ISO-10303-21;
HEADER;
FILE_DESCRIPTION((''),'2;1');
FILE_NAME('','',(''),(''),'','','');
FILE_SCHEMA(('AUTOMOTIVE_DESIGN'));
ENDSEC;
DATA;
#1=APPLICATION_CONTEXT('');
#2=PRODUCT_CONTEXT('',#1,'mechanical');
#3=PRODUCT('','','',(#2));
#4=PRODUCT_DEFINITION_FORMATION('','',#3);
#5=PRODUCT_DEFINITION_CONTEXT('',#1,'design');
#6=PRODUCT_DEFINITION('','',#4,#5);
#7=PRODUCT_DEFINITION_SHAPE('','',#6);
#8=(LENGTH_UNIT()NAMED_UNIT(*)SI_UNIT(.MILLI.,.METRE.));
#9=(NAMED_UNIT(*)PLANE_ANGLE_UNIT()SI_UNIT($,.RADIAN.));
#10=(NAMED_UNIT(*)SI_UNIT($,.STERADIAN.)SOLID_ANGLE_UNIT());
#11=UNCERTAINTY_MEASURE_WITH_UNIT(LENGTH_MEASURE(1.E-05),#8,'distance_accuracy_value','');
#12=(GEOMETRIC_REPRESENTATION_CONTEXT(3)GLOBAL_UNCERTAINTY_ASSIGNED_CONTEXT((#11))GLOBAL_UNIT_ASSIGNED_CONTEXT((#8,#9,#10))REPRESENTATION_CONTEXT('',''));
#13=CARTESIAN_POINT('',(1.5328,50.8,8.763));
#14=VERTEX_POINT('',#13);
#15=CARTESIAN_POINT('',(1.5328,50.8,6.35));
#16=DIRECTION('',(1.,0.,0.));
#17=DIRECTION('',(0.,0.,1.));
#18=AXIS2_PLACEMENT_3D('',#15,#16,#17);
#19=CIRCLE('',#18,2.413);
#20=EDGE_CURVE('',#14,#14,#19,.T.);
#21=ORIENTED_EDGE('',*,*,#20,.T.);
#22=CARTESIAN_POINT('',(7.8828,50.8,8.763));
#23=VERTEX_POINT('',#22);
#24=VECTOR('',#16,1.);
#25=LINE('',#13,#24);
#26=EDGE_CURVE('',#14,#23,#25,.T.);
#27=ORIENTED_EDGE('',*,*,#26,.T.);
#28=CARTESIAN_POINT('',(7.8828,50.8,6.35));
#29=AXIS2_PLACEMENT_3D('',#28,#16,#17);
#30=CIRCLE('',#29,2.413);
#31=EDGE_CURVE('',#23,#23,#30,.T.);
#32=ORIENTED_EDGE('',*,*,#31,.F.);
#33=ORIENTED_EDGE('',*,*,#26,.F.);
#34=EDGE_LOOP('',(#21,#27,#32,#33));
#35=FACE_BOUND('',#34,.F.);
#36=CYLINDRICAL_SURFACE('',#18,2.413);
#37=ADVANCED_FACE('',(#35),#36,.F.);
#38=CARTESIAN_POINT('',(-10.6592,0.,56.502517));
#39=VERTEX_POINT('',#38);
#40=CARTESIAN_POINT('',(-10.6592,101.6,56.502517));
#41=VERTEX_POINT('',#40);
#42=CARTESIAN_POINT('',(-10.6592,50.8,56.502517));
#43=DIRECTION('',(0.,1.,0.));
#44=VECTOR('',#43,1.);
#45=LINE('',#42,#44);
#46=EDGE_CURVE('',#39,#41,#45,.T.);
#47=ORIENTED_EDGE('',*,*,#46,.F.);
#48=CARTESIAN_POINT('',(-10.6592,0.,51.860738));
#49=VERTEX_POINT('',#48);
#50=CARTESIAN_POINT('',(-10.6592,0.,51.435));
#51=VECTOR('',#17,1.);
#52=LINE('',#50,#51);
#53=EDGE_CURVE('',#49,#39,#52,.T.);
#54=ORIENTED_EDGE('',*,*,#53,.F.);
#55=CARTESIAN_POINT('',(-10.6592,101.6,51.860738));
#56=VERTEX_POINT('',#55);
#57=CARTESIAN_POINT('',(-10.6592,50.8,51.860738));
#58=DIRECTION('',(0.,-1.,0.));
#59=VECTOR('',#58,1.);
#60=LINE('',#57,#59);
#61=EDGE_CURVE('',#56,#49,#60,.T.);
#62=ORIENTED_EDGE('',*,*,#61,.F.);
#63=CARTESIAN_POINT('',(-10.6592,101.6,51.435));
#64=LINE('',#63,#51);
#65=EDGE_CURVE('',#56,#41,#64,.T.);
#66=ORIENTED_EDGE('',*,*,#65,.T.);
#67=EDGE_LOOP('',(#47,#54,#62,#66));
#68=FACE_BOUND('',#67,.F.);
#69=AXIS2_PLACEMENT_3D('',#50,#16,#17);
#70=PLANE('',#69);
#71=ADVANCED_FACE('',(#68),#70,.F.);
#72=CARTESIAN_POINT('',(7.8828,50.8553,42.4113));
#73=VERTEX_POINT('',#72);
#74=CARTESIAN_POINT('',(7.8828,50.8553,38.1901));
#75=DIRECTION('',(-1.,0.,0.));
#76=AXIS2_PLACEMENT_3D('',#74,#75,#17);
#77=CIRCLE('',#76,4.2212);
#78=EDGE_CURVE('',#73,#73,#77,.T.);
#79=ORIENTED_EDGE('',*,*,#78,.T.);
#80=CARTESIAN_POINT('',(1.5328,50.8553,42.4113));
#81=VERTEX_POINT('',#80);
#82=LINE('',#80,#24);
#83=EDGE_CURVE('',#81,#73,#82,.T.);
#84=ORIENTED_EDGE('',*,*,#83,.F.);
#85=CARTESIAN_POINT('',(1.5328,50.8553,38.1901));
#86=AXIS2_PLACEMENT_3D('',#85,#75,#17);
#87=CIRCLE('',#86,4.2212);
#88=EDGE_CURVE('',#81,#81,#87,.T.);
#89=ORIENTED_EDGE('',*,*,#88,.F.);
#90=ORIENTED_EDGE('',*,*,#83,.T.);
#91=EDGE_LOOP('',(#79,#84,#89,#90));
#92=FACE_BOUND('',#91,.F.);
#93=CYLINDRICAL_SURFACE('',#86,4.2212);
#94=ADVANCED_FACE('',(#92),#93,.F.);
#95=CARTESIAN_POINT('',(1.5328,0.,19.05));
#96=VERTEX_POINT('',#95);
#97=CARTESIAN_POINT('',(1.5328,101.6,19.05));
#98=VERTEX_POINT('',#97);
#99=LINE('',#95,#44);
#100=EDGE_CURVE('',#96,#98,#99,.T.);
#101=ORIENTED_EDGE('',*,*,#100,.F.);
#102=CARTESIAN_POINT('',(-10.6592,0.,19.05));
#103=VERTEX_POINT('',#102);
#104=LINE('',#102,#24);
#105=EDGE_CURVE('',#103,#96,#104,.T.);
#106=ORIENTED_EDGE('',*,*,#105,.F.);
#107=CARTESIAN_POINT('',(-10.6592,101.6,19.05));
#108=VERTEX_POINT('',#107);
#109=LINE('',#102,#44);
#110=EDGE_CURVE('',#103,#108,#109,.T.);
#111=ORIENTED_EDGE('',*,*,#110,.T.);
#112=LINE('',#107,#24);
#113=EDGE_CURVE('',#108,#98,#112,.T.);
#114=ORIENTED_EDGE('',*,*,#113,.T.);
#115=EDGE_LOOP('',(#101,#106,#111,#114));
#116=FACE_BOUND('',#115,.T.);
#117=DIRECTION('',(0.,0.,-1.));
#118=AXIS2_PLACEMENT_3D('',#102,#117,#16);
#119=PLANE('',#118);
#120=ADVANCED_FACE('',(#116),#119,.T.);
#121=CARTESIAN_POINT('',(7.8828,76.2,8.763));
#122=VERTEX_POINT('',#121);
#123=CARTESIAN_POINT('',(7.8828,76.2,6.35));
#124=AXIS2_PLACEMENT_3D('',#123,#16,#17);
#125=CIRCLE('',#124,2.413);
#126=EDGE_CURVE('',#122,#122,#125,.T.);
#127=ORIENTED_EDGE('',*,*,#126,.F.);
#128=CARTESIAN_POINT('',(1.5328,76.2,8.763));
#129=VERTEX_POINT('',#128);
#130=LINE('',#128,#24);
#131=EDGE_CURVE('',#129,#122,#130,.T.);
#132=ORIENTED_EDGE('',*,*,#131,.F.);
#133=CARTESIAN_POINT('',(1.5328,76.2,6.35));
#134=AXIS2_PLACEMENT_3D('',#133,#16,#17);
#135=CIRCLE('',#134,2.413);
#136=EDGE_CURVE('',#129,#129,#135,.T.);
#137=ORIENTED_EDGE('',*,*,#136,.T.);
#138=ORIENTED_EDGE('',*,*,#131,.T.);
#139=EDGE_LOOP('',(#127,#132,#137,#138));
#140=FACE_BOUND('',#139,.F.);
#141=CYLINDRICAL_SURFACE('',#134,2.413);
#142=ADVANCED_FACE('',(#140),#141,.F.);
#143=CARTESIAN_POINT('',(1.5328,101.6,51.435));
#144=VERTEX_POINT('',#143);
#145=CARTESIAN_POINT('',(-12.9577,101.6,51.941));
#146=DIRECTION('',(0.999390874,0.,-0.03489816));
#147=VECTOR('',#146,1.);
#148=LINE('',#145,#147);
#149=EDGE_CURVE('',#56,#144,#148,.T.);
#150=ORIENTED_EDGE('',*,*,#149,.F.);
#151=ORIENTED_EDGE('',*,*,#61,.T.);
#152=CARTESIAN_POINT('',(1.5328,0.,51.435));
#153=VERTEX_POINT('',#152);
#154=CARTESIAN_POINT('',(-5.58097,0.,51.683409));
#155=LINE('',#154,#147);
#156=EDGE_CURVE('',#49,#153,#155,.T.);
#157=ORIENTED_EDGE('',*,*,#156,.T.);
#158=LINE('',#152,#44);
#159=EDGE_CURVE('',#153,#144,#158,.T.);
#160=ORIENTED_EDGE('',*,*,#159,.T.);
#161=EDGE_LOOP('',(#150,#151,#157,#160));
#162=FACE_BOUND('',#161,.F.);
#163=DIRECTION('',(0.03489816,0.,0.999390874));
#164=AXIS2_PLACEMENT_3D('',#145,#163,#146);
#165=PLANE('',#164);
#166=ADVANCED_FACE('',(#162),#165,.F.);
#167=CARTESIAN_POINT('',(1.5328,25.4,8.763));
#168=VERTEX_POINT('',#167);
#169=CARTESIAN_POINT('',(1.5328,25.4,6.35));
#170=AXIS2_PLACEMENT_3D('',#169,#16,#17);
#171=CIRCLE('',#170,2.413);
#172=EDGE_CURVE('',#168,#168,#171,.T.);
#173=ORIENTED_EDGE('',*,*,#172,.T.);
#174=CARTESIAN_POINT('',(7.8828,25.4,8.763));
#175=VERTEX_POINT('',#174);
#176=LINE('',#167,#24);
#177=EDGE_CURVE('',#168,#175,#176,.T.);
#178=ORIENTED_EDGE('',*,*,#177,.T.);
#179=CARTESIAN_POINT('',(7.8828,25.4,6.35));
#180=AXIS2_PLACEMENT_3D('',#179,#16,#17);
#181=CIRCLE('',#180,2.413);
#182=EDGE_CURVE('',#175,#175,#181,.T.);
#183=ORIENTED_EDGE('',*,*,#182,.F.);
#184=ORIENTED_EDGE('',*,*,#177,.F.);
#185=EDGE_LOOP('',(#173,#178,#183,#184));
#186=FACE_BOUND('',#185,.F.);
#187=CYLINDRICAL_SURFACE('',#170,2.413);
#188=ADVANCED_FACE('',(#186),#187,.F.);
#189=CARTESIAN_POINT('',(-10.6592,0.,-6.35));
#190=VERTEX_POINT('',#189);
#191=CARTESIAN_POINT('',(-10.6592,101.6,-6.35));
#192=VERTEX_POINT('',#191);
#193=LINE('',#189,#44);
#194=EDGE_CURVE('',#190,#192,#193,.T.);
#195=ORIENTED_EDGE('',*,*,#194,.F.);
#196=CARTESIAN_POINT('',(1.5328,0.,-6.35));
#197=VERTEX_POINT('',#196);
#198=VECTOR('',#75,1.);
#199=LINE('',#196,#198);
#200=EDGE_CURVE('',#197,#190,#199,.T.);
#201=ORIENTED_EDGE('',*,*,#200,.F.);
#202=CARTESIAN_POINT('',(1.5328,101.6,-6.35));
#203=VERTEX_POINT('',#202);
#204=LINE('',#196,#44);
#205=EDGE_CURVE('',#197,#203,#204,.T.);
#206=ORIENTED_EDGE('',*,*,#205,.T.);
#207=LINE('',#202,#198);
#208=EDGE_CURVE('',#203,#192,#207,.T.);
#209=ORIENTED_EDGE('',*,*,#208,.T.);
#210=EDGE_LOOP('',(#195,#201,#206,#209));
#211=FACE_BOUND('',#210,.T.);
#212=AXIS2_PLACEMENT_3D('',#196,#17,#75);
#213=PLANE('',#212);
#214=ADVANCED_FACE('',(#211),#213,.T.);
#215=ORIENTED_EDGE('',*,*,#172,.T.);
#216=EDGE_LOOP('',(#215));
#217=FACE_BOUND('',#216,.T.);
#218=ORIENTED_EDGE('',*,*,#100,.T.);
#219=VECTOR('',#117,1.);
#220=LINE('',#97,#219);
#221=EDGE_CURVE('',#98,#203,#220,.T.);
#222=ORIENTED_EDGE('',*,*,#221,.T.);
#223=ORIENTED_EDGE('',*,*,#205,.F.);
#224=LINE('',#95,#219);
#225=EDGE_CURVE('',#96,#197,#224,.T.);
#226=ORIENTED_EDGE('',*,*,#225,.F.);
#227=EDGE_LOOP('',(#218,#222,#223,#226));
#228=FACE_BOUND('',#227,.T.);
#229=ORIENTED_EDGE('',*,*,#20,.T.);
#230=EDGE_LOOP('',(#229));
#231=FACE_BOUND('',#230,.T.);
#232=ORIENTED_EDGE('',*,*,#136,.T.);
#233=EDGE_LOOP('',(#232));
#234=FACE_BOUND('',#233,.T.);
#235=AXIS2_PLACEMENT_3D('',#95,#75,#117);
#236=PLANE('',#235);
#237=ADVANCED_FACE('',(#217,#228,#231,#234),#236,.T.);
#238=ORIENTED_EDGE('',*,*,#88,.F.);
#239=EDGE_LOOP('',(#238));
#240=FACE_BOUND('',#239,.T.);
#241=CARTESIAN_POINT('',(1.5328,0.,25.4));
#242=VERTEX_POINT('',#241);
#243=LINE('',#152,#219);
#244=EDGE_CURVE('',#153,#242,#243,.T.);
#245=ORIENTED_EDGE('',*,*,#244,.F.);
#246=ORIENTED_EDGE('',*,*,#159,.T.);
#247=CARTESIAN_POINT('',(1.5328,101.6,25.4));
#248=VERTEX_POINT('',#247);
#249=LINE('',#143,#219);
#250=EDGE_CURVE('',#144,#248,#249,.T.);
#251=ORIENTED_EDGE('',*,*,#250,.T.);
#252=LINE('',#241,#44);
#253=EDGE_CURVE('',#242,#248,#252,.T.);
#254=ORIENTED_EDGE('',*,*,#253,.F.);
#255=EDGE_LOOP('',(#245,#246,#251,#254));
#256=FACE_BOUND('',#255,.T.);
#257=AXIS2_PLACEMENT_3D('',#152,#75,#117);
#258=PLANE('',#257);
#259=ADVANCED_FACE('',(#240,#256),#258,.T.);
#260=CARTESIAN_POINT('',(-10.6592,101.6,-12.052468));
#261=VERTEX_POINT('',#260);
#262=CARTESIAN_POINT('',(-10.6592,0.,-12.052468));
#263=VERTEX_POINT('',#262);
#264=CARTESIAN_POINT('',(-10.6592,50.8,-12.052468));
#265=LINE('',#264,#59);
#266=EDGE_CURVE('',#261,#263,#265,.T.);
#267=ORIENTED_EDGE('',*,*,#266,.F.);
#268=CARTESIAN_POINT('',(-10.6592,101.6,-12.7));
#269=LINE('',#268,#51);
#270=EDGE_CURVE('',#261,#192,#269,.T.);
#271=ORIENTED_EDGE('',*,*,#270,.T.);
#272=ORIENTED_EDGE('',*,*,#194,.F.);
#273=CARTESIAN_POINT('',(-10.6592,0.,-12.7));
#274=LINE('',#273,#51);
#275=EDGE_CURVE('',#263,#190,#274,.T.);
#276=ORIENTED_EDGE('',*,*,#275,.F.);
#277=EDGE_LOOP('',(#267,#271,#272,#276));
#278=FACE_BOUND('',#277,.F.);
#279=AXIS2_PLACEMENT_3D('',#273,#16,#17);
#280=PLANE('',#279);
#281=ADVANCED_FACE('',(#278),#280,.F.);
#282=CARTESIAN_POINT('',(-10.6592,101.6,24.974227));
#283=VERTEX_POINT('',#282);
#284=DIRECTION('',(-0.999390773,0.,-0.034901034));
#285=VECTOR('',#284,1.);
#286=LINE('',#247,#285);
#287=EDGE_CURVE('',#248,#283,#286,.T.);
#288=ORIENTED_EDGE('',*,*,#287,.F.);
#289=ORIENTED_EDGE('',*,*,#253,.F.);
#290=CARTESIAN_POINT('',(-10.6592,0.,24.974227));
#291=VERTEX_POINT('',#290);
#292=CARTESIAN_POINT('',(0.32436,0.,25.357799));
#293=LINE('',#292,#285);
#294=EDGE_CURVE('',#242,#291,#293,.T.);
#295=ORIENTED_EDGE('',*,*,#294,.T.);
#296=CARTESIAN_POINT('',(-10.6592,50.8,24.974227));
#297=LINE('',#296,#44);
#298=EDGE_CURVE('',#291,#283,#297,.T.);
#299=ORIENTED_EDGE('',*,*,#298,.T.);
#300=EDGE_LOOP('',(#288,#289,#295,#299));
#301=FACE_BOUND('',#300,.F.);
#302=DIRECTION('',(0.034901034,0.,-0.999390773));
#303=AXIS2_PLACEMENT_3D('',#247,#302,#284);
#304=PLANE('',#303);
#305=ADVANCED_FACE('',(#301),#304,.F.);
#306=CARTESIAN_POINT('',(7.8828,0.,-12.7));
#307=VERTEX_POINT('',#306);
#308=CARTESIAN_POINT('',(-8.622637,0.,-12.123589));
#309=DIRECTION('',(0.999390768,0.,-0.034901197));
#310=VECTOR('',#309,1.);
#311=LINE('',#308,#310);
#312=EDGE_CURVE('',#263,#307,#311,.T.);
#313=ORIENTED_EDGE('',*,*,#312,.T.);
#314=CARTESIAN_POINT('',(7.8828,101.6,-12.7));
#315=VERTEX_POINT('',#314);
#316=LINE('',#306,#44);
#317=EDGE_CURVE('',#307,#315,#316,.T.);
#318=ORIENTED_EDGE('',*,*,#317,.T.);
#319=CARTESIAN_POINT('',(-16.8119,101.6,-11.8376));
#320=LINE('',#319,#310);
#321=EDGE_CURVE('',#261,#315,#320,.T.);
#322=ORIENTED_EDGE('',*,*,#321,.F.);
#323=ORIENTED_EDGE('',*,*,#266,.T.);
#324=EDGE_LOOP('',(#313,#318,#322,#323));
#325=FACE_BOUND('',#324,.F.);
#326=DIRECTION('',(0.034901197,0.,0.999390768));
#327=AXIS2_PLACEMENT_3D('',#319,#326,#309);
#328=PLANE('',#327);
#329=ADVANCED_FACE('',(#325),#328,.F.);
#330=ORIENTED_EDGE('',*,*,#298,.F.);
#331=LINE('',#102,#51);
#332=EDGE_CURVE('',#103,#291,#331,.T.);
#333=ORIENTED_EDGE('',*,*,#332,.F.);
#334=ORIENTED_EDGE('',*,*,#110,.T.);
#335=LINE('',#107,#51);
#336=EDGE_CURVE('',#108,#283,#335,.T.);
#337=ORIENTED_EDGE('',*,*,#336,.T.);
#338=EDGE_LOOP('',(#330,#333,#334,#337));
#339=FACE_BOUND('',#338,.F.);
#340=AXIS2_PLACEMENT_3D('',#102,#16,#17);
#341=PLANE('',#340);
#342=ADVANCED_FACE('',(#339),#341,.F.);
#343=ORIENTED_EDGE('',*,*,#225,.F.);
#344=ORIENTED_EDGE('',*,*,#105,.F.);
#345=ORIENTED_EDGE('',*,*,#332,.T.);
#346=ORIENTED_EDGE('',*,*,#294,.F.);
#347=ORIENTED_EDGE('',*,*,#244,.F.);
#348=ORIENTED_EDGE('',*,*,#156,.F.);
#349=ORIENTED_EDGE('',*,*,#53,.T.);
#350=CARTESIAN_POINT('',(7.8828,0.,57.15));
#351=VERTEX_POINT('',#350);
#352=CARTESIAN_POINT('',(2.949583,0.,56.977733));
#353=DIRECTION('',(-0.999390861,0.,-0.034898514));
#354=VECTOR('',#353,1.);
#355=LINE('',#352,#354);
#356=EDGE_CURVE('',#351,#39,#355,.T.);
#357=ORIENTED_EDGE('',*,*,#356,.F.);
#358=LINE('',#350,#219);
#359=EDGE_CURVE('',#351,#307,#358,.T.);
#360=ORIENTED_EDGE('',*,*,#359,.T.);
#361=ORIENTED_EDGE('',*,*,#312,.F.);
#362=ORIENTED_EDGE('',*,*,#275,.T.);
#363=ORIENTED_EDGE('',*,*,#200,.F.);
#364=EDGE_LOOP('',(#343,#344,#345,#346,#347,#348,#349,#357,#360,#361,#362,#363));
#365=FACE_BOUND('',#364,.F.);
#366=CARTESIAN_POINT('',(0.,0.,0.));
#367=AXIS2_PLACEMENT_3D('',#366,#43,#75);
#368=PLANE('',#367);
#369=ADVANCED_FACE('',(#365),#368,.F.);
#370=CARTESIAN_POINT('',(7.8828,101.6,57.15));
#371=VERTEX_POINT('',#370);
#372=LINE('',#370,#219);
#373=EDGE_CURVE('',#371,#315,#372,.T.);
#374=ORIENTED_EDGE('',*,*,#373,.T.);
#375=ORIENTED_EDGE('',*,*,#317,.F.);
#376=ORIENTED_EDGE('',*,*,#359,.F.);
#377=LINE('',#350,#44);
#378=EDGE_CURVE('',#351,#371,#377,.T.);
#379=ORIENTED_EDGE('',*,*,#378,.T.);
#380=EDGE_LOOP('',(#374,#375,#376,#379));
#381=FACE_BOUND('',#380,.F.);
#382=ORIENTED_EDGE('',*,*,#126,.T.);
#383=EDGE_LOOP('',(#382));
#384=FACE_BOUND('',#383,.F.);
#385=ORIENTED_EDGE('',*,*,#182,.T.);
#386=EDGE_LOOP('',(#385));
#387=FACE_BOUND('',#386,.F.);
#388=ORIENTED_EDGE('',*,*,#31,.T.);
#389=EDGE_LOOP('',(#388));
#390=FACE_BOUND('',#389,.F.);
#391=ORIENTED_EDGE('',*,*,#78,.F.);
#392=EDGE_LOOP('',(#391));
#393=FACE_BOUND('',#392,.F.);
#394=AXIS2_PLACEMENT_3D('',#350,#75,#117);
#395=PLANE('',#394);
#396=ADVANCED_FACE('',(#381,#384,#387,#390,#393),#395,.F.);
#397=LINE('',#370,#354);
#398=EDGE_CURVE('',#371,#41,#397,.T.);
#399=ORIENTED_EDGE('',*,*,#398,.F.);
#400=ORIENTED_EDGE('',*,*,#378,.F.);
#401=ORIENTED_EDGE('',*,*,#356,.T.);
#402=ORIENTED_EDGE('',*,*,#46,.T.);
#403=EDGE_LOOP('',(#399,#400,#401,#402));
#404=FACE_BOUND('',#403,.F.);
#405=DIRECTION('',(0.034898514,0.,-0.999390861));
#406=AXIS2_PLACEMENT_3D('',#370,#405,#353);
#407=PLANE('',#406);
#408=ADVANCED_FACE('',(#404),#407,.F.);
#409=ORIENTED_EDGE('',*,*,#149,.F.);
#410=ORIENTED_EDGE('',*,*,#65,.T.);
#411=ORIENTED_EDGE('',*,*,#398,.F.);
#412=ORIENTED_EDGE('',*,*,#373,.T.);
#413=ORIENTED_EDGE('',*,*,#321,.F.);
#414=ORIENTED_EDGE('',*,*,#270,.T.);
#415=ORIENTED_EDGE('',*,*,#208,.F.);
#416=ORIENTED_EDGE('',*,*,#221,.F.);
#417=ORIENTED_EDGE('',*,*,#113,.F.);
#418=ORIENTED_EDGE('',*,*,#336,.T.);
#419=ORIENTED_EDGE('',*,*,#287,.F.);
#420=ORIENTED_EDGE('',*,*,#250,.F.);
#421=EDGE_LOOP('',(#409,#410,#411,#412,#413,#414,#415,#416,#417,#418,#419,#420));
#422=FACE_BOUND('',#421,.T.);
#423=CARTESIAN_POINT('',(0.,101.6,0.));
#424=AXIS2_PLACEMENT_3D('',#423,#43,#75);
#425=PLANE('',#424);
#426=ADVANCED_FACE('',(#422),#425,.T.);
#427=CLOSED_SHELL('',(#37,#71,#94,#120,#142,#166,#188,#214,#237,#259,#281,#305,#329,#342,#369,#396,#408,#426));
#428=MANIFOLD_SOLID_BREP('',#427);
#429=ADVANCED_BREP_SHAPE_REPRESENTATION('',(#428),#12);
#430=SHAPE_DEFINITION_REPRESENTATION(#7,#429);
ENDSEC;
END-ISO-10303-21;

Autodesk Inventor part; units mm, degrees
ref_plane "YZ Plane" through (0, 0, 0) normal (1, 0, 0) x (0, 1, 0)
ref_plane "XZ Plane" through (0, 0, 0) normal (0, 1, 0) x (-1, 0, 0)
ref_plane "XY Plane" through (0, 0, 0) normal (0, 0, 1) x (1, 0, 0)
sketch "Sketch1" plane through (0, 0, 0) normal (0, 1, 0) x (-1, 0, 0)
  line L0 (10.6592, 57.15) -> (-7.8828, 57.15)
  line L1 (-7.8828, 57.15) -> (-7.8828, -12.7)
  line L2 (-7.8828, -12.7) -> (10.6592, -12.7)
  line L3 (10.6592, 51.435) -> (-1.5328, 51.435)
  line L4 (-1.5328, 51.435) -> (-1.5328, 25.4)
  line L5 (-1.5328, 25.4) -> (10.6592, 25.4)
  line L6 (10.6592, 19.05) -> (-1.5328, 19.05)
  line L7 (-1.5328, 19.05) -> (-1.5328, -6.35)
  line L8 (-1.5328, -6.35) -> (10.6592, -6.35)
  line L9 (10.6592, -12.7) -> (10.6592, -6.35)
  line L10 (10.6592, 19.05) -> (10.6592, 25.4)
  line L11 (10.6592, 51.435) -> (10.6592, 57.15)
  point P0 (0, 0)
  dimension "d0" = 18.542
  dimension "d3" = 6.35
  dimension "d4" = 6.35
  dimension "d5" = 5.715
  dimension "d7" = 0
  dimension "d8" = 26.035
  dimension "d9" = 25.4
  dimension "d25" = 0
  dimension "d26" = 0
extrude "Extrusion1" add sketch "Sketch1" along normal blind 101.6
sketch "Sketch2" plane through (1.5328, 0, -6.35) normal (-1, 0, 0) x (0, 0, 1)
  line L0 (0, 0) -> (0, 101.6) projected
  line L1 (0, 0) -> (25.4, 0) projected
  point P0 (6.35, 0)
  point P1 (12.7, 25.4)
  point P2 (12.7, 50.8)
  point P3 (12.7, 76.2)
  dimension "d12" = 12.7
  dimension "d13" = 25.4
  dimension "d14" = 25.4
  dimension "d15" = 0
  dimension "d16" = 0
  dimension "d17" = 25.4
hole "Hole1" at (1.5328, 25.4, 6.35) at (1.5328, 50.8, 6.35) at (1.5328, 76.2, 6.35) direction (1, 0, 0) diameter 4.826 depth 25.4 tip angle 118
sketch "Sketch3" plane through (0, 101.6, 0) normal (0, 1, 0) x (1, 0, 0)
  line L0 (1.5328, -25.4) -> (-10.7917, -24.9696)
  line L1 (-10.7917, -24.9696) -> (-10.7917, -25.4)
  line L2 (-10.6592, -25.4) -> (1.5328, -25.4) projected
  line L3 (-10.7917, -25.4) -> (1.5328, -25.4)
  point P0 (0, 0)
  dimension "d27" = 2
extrude "Extrusion2" cut sketch "Sketch3" against normal blind 111.125
sketch "Sketch4" plane through (0, 101.6, 0) normal (0, 1, 0) x (1, 0, 0)
  line L0 (1.5328, -51.435) -> (-12.9577, -51.435)
  line L1 (-12.9577, -51.435) -> (-12.9577, -51.941)
  line L2 (-12.9577, -51.941) -> (1.5328, -51.435)
  point P0 (0, 0)
  dimension "d30" = 2
extrude "Extrusion3" cut sketch "Sketch4" against normal blind 119.0625
sketch "Sketch5" plane through (0, 101.6, 0) normal (0, 1, 0) x (1, 0, 0)
  line L0 (-10.6592, -57.15) -> (7.8828, -57.15) projected
  line L1 (7.8828, -57.15) -> (-13.0423, -56.4193)
  line L2 (-13.0423, -56.4193) -> (-13.0009, -57.15)
  line L3 (-13.0009, -57.15) -> (7.8828, -57.15)
  point P0 (0, 0)
  dimension "d33" = 2
extrude "Extrusion4" cut sketch "Sketch5" against normal blind 196.85
sketch "Sketch6" plane through (0, 101.6, 0) normal (0, 1, 0) x (1, 0, 0)
  line L0 (7.8828, 12.7) -> (-10.6592, 12.7) projected
  line L1 (7.8828, 12.7) -> (-16.8119, 12.7)
  line L2 (-16.8119, 12.7) -> (-16.8119, 11.8376)
  line L3 (7.8828, -57.15) -> (7.8828, 12.7) projected
  line L4 (-16.8119, 11.8376) -> (7.8828, 12.7)
  point P0 (0, 0)
  dimension "d36" = 2
extrude "Extrusion5" cut sketch "Sketch6" against normal blind 334.9625
sketch "Sketch7" plane through (1.5328, 0, 25.4) normal (-1, 0, 0) x (0, 0, 1)
  circle A0 centre (12.7901, 50.8553) radius 4.2212
  point P0 (-25.4, 0)
extrude "Extrusion6" cut sketch "Sketch7" against normal blind 58.7375
equation "\"d0\" = ElvDelWidth"
equation "\"d3\" = ElvDelFrontTabLength"
equation "\"d4\" = ElvDelMiddleTabLength"
equation "\"d9\" = ElvBeamWidth"
equation "\"d10\" = ElvDelHeight"
equation "\"ElvBeamWidth\" = 25.4"
equation "\"ElvDelWidth\" = 18.542"
equation "\"ElvDelHeight\" = 101.6"
equation "\"ElvDelFrontTabLength\" = 6.35"
equation "\"ElvDelDepth\" = 6.35"
equation "\"d2\" = ElvDelDepth"
equation "\"ElvCrossBeamLength\" = 304.8"
equation "\"ElvFixedBeamLength\" = 990.6"
equation "\"ElvMiddleBeamLength\" = 990.6"
equation "\"ElvFrontBeamLength\" = 990.6"
equation "\"ElvEndEffectLength\" = 431.8"
equation "\"ElvWallWidth\" = 1.5875"
equation "\"ElvTopBeamLength\" = 457.2"
equation "\"ElvHoleFromFront\" = 25.4"
equation "\"ElvHoleFromMid\" = 38.1"
equation "\"ElvHoleFromFixed\" = 50.8"
equation "\"ElvHoleFromBottom\" = 38.1"
equation "\"ElvRivetPlateLength\" = 76.2"
equation "\"ElvDelMiddleTabLength\" = 6.35"
properties part number "ElvDelV3" material "Acetal Resin, White"
